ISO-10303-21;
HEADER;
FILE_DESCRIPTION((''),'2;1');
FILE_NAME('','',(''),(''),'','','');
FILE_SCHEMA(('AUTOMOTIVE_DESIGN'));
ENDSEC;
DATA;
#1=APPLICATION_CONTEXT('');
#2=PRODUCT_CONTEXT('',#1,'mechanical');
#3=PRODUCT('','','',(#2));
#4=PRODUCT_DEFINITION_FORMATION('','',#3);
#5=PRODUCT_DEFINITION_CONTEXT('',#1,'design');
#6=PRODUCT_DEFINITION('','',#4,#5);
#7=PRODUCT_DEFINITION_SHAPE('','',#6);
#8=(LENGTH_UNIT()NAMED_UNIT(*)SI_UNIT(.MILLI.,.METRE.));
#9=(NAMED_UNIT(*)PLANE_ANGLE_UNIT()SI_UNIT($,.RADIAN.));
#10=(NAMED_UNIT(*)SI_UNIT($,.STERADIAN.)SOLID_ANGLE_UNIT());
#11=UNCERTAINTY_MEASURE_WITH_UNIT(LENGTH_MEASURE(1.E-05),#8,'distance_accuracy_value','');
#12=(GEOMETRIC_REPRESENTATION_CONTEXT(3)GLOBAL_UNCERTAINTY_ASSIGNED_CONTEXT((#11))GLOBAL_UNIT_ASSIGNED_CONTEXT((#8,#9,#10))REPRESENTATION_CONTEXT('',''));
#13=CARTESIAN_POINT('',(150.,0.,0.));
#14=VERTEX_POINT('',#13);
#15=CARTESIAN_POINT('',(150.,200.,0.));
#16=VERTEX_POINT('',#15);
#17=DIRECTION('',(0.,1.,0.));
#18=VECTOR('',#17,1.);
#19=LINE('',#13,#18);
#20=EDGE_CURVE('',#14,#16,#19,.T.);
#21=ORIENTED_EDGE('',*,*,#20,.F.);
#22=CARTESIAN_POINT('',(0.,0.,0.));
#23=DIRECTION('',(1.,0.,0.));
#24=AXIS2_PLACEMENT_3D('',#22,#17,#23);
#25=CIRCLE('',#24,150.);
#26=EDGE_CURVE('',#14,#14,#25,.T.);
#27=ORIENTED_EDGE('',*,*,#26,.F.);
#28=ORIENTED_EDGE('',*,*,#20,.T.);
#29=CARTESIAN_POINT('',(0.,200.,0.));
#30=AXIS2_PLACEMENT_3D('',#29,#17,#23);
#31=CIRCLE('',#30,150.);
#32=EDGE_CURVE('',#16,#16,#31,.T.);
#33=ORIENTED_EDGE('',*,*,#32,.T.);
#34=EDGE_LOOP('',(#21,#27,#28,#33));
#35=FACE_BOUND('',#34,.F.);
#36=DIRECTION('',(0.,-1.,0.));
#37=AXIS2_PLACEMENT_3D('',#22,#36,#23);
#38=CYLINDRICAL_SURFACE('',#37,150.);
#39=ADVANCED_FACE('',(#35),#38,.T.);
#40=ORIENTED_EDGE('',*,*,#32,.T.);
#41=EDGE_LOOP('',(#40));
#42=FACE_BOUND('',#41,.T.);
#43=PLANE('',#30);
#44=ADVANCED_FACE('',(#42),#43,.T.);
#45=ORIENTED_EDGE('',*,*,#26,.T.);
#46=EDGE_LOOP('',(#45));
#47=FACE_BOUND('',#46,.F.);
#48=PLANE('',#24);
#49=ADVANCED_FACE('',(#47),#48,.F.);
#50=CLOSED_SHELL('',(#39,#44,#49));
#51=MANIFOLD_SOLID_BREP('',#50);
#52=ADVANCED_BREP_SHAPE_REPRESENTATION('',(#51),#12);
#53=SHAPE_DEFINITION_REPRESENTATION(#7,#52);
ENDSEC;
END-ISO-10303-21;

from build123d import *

# Parameters (mm, degrees)
SKETCH1_R           = 150
BOSS_EXTRUDE1_DEPTH = 200


with BuildPart() as part:
    # Sketch1 → Boss-Extrude1 (new body)
    with BuildSketch(Plane(origin=(0, 0, 0), x_dir=(1, 0, 0), z_dir=(0, 1, 0))):
        Circle(SKETCH1_R)
    extrude(amount=BOSS_EXTRUDE1_DEPTH)


solid = part.part
